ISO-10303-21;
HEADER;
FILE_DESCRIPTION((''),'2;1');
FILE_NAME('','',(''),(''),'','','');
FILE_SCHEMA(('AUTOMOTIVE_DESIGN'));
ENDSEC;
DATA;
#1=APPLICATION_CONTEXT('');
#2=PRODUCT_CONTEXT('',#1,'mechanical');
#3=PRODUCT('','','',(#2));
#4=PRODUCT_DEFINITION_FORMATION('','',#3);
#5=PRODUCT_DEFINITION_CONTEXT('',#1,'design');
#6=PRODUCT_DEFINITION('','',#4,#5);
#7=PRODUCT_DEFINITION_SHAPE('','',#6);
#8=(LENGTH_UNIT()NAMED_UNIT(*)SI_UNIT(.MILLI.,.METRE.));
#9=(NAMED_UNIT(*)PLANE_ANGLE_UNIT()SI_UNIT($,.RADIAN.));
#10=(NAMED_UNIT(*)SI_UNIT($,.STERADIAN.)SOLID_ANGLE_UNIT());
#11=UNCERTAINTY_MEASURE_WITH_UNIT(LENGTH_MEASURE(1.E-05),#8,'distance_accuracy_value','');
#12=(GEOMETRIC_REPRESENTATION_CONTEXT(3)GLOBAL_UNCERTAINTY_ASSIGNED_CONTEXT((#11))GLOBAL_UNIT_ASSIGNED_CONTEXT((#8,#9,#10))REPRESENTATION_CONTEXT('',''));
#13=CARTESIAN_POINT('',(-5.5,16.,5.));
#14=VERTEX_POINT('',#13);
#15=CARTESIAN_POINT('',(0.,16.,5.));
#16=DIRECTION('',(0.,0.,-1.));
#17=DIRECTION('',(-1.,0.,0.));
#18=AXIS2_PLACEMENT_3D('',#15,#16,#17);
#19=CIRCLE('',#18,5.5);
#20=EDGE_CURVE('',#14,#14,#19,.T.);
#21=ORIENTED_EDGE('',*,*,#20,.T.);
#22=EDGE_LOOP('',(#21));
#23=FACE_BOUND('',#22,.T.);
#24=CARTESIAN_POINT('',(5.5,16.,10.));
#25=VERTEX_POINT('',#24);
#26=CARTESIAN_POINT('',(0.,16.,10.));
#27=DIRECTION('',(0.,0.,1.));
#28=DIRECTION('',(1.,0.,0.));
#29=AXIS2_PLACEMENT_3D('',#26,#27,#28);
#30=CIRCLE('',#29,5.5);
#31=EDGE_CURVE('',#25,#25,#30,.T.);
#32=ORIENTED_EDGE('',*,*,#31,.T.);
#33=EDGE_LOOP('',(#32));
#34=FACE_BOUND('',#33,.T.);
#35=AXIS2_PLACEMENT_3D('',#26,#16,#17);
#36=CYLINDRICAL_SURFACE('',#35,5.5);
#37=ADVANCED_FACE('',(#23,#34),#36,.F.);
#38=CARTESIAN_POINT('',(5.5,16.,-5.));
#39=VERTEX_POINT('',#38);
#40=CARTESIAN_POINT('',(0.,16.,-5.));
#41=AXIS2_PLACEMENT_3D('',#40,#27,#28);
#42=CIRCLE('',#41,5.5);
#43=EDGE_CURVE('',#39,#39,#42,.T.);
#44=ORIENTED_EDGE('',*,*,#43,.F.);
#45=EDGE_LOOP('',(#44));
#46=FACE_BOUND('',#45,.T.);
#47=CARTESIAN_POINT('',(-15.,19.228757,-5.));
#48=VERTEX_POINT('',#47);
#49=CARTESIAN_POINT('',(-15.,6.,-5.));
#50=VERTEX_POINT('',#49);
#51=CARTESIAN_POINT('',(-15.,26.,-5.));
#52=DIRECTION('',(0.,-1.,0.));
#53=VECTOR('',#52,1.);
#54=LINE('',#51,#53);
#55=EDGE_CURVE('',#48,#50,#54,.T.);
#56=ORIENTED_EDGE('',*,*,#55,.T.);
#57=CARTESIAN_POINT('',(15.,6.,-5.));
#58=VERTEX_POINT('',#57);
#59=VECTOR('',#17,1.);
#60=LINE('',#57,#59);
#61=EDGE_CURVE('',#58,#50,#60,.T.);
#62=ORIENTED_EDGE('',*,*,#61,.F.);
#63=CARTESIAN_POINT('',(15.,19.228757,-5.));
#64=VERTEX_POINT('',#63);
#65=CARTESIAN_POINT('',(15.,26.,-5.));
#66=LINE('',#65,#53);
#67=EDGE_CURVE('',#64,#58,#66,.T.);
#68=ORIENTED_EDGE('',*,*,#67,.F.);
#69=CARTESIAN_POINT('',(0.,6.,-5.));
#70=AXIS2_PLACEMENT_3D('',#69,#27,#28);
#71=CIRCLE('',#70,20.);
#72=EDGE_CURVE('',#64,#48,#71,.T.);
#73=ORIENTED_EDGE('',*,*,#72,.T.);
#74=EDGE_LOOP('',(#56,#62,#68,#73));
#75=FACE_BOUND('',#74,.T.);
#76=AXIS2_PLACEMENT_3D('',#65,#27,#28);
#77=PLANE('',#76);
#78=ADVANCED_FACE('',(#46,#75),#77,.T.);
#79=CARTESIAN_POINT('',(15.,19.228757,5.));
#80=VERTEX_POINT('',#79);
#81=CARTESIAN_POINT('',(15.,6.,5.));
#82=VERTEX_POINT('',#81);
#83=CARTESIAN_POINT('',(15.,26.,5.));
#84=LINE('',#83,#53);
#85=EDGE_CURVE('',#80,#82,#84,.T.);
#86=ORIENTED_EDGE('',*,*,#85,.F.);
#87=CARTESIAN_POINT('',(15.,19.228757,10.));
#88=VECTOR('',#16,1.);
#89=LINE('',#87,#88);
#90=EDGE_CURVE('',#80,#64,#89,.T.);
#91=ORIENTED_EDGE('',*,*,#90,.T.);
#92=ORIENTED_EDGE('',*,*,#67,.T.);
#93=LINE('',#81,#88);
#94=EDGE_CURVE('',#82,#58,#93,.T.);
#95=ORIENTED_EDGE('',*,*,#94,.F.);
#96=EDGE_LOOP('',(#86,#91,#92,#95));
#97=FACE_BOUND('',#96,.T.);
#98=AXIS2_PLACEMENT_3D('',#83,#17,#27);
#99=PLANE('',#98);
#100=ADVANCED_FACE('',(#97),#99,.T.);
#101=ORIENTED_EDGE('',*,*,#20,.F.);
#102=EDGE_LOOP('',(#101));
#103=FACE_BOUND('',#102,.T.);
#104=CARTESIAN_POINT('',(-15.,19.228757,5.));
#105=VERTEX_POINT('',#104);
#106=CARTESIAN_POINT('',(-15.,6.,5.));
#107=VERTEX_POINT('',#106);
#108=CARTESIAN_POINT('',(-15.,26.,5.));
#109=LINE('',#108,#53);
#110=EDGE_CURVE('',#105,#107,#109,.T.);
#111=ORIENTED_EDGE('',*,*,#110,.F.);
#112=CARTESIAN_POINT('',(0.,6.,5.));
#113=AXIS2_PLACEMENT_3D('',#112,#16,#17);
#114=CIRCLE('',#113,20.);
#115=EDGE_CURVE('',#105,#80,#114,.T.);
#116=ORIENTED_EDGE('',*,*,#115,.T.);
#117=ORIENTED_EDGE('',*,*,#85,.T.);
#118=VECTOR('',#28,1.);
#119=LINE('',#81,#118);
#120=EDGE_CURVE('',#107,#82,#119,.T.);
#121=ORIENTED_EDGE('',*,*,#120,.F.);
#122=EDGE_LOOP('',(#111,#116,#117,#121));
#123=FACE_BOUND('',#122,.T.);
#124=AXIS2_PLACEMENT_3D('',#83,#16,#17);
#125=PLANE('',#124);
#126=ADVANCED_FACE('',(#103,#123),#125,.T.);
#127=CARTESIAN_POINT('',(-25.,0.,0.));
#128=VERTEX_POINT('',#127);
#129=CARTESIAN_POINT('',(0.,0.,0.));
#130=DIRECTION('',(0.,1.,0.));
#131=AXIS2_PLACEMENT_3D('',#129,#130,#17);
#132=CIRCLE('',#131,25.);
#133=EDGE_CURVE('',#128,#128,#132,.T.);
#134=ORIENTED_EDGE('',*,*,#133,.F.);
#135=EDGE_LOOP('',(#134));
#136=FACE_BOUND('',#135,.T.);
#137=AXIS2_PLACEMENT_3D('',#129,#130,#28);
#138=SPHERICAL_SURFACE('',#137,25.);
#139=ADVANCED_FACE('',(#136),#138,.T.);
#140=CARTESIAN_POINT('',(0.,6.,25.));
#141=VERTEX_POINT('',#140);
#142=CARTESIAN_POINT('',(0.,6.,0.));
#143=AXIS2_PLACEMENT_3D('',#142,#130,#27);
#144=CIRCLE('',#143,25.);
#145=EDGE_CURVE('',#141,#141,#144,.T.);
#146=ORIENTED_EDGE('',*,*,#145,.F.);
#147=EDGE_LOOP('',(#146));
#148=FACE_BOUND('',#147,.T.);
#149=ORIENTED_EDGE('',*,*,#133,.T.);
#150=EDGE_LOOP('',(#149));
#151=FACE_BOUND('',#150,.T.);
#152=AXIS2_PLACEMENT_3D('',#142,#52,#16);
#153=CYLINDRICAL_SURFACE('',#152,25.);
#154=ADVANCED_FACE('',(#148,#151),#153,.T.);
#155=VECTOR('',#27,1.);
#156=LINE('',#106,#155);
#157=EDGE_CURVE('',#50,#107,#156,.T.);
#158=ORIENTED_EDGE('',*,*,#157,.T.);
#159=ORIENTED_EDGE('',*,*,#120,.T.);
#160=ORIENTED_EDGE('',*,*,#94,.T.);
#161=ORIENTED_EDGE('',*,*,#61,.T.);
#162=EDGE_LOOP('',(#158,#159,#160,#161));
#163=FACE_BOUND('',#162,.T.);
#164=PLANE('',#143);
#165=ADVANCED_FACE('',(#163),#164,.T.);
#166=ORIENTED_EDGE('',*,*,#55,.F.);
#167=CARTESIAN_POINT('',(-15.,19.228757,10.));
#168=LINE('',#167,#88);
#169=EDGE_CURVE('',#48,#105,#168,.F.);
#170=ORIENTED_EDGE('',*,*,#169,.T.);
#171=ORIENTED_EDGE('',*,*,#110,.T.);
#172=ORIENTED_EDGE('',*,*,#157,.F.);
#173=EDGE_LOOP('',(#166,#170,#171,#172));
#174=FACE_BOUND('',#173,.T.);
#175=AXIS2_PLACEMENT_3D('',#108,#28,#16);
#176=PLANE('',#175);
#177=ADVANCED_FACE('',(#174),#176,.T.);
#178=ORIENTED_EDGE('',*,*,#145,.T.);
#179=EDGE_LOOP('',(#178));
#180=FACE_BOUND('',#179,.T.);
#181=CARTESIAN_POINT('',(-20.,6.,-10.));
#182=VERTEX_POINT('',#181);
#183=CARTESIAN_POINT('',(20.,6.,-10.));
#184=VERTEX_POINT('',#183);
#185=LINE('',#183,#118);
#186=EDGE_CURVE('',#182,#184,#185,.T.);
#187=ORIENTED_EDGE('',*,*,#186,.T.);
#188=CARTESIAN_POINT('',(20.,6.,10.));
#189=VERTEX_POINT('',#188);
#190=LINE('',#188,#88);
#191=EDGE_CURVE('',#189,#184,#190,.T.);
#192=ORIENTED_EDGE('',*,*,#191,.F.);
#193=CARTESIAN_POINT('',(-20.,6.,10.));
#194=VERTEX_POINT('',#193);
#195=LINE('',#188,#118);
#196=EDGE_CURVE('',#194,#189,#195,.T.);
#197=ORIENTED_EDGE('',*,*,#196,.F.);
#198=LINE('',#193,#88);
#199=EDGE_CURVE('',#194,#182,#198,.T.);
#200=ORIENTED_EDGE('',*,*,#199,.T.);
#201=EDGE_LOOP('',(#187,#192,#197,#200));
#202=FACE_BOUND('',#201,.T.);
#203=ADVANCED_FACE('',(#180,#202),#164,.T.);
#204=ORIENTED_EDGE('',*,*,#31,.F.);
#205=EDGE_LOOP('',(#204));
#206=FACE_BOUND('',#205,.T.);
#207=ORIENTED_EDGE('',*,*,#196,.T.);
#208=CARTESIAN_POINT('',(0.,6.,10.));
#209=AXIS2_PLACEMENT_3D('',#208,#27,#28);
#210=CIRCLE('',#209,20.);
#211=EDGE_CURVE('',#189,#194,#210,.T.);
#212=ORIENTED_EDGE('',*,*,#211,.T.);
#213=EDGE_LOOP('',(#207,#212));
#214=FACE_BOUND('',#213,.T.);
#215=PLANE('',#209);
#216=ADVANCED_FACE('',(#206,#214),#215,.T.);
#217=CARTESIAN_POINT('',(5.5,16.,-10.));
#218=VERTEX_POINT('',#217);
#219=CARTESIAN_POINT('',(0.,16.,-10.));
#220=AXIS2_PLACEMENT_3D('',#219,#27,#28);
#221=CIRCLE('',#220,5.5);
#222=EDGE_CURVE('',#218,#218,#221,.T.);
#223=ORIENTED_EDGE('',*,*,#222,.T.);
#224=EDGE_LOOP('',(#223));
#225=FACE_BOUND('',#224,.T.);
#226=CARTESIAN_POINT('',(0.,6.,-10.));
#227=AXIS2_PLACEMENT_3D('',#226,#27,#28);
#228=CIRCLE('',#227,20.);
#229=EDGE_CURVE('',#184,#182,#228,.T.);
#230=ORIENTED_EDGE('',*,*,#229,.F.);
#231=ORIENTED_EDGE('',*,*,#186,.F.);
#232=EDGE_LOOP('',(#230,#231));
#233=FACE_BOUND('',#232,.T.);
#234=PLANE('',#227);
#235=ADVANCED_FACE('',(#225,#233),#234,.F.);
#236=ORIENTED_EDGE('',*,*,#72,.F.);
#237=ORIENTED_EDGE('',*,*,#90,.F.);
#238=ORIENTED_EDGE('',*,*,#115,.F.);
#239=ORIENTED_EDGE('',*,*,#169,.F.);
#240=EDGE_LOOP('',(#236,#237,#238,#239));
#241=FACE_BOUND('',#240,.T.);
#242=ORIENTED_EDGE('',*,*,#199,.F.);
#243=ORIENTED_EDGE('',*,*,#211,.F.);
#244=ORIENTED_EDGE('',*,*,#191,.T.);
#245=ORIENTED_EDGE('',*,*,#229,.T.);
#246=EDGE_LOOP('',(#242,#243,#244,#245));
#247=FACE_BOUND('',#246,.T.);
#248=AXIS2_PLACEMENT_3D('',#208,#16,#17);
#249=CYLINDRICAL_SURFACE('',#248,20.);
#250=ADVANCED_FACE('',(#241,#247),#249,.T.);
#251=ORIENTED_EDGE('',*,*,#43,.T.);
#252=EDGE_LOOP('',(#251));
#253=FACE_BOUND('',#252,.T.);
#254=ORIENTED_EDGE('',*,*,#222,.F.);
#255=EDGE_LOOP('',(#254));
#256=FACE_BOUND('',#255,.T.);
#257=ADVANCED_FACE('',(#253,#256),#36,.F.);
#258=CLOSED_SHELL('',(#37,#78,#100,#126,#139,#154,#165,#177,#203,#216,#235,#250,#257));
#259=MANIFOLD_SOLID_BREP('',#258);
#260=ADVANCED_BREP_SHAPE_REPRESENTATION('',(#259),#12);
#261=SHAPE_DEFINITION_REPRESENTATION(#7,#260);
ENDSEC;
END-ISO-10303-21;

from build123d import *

# Parameters (mm, degrees)
SKETCH8_R            = 25
BOSS_EXTRUDE7_DEPTH  = 6
SKETCH11_R           = 5.5
BOSS_EXTRUDE12_DEPTH = 10
SKETCH14_W           = 30
SKETCH14_H           = 10
CUT_EXTRUDE2_DEPTH   = 41.620192023


with BuildPart() as part:
    # Sketch8 → Boss-Extrude7 (new body)
    with BuildSketch(Plane(origin=(0, 0, 0), x_dir=(1, 0, 0), z_dir=(0, 1, 0))):
        with Locations(Location((0, 0, 0), (0, 0, 270))):
            Circle(SKETCH8_R)
    extrude(amount=BOSS_EXTRUDE7_DEPTH)

    # Sketch11 → Boss-Extrude12 (add, symmetric)
    with BuildSketch(Plane.XY):
        with BuildLine():
            Line((20, 6), (-20, 6))
            ThreePointArc((-20, 6), (0, 26), (20, 6))
        make_face()
        with Locations((0, 16)):
            Circle(SKETCH11_R, mode=Mode.SUBTRACT)
    extrude(amount=BOSS_EXTRUDE12_DEPTH, both=True)

    # Sketch14 → Cut-Extrude2 (cut, through all)
    with BuildSketch(Plane(origin=(0, 6, 0), x_dir=(1, 0, 0), z_dir=(0, 1, 0))):
        Rectangle(SKETCH14_W, SKETCH14_H)
    extrude(amount=CUT_EXTRUDE2_DEPTH, mode=Mode.SUBTRACT)

    # Sketch15 → Revolve1 (revolve)
    with BuildSketch(Plane.XY, mode=Mode.PRIVATE) as revolve1_sk:
        with BuildLine():
            Line((0, 0), (0, -25))
            ThreePointArc((0, -25), (17.67766953, -17.67766953), (25, 0))
            Line((25, 0), (0, 0))
        make_face()
    revolve(revolve1_sk.sketch.rotate(Axis((0, 0, 0), (0, -1, 0)), 180), axis=Axis((0, 0, 0), (0, -1, 0)))


solid = part.part
